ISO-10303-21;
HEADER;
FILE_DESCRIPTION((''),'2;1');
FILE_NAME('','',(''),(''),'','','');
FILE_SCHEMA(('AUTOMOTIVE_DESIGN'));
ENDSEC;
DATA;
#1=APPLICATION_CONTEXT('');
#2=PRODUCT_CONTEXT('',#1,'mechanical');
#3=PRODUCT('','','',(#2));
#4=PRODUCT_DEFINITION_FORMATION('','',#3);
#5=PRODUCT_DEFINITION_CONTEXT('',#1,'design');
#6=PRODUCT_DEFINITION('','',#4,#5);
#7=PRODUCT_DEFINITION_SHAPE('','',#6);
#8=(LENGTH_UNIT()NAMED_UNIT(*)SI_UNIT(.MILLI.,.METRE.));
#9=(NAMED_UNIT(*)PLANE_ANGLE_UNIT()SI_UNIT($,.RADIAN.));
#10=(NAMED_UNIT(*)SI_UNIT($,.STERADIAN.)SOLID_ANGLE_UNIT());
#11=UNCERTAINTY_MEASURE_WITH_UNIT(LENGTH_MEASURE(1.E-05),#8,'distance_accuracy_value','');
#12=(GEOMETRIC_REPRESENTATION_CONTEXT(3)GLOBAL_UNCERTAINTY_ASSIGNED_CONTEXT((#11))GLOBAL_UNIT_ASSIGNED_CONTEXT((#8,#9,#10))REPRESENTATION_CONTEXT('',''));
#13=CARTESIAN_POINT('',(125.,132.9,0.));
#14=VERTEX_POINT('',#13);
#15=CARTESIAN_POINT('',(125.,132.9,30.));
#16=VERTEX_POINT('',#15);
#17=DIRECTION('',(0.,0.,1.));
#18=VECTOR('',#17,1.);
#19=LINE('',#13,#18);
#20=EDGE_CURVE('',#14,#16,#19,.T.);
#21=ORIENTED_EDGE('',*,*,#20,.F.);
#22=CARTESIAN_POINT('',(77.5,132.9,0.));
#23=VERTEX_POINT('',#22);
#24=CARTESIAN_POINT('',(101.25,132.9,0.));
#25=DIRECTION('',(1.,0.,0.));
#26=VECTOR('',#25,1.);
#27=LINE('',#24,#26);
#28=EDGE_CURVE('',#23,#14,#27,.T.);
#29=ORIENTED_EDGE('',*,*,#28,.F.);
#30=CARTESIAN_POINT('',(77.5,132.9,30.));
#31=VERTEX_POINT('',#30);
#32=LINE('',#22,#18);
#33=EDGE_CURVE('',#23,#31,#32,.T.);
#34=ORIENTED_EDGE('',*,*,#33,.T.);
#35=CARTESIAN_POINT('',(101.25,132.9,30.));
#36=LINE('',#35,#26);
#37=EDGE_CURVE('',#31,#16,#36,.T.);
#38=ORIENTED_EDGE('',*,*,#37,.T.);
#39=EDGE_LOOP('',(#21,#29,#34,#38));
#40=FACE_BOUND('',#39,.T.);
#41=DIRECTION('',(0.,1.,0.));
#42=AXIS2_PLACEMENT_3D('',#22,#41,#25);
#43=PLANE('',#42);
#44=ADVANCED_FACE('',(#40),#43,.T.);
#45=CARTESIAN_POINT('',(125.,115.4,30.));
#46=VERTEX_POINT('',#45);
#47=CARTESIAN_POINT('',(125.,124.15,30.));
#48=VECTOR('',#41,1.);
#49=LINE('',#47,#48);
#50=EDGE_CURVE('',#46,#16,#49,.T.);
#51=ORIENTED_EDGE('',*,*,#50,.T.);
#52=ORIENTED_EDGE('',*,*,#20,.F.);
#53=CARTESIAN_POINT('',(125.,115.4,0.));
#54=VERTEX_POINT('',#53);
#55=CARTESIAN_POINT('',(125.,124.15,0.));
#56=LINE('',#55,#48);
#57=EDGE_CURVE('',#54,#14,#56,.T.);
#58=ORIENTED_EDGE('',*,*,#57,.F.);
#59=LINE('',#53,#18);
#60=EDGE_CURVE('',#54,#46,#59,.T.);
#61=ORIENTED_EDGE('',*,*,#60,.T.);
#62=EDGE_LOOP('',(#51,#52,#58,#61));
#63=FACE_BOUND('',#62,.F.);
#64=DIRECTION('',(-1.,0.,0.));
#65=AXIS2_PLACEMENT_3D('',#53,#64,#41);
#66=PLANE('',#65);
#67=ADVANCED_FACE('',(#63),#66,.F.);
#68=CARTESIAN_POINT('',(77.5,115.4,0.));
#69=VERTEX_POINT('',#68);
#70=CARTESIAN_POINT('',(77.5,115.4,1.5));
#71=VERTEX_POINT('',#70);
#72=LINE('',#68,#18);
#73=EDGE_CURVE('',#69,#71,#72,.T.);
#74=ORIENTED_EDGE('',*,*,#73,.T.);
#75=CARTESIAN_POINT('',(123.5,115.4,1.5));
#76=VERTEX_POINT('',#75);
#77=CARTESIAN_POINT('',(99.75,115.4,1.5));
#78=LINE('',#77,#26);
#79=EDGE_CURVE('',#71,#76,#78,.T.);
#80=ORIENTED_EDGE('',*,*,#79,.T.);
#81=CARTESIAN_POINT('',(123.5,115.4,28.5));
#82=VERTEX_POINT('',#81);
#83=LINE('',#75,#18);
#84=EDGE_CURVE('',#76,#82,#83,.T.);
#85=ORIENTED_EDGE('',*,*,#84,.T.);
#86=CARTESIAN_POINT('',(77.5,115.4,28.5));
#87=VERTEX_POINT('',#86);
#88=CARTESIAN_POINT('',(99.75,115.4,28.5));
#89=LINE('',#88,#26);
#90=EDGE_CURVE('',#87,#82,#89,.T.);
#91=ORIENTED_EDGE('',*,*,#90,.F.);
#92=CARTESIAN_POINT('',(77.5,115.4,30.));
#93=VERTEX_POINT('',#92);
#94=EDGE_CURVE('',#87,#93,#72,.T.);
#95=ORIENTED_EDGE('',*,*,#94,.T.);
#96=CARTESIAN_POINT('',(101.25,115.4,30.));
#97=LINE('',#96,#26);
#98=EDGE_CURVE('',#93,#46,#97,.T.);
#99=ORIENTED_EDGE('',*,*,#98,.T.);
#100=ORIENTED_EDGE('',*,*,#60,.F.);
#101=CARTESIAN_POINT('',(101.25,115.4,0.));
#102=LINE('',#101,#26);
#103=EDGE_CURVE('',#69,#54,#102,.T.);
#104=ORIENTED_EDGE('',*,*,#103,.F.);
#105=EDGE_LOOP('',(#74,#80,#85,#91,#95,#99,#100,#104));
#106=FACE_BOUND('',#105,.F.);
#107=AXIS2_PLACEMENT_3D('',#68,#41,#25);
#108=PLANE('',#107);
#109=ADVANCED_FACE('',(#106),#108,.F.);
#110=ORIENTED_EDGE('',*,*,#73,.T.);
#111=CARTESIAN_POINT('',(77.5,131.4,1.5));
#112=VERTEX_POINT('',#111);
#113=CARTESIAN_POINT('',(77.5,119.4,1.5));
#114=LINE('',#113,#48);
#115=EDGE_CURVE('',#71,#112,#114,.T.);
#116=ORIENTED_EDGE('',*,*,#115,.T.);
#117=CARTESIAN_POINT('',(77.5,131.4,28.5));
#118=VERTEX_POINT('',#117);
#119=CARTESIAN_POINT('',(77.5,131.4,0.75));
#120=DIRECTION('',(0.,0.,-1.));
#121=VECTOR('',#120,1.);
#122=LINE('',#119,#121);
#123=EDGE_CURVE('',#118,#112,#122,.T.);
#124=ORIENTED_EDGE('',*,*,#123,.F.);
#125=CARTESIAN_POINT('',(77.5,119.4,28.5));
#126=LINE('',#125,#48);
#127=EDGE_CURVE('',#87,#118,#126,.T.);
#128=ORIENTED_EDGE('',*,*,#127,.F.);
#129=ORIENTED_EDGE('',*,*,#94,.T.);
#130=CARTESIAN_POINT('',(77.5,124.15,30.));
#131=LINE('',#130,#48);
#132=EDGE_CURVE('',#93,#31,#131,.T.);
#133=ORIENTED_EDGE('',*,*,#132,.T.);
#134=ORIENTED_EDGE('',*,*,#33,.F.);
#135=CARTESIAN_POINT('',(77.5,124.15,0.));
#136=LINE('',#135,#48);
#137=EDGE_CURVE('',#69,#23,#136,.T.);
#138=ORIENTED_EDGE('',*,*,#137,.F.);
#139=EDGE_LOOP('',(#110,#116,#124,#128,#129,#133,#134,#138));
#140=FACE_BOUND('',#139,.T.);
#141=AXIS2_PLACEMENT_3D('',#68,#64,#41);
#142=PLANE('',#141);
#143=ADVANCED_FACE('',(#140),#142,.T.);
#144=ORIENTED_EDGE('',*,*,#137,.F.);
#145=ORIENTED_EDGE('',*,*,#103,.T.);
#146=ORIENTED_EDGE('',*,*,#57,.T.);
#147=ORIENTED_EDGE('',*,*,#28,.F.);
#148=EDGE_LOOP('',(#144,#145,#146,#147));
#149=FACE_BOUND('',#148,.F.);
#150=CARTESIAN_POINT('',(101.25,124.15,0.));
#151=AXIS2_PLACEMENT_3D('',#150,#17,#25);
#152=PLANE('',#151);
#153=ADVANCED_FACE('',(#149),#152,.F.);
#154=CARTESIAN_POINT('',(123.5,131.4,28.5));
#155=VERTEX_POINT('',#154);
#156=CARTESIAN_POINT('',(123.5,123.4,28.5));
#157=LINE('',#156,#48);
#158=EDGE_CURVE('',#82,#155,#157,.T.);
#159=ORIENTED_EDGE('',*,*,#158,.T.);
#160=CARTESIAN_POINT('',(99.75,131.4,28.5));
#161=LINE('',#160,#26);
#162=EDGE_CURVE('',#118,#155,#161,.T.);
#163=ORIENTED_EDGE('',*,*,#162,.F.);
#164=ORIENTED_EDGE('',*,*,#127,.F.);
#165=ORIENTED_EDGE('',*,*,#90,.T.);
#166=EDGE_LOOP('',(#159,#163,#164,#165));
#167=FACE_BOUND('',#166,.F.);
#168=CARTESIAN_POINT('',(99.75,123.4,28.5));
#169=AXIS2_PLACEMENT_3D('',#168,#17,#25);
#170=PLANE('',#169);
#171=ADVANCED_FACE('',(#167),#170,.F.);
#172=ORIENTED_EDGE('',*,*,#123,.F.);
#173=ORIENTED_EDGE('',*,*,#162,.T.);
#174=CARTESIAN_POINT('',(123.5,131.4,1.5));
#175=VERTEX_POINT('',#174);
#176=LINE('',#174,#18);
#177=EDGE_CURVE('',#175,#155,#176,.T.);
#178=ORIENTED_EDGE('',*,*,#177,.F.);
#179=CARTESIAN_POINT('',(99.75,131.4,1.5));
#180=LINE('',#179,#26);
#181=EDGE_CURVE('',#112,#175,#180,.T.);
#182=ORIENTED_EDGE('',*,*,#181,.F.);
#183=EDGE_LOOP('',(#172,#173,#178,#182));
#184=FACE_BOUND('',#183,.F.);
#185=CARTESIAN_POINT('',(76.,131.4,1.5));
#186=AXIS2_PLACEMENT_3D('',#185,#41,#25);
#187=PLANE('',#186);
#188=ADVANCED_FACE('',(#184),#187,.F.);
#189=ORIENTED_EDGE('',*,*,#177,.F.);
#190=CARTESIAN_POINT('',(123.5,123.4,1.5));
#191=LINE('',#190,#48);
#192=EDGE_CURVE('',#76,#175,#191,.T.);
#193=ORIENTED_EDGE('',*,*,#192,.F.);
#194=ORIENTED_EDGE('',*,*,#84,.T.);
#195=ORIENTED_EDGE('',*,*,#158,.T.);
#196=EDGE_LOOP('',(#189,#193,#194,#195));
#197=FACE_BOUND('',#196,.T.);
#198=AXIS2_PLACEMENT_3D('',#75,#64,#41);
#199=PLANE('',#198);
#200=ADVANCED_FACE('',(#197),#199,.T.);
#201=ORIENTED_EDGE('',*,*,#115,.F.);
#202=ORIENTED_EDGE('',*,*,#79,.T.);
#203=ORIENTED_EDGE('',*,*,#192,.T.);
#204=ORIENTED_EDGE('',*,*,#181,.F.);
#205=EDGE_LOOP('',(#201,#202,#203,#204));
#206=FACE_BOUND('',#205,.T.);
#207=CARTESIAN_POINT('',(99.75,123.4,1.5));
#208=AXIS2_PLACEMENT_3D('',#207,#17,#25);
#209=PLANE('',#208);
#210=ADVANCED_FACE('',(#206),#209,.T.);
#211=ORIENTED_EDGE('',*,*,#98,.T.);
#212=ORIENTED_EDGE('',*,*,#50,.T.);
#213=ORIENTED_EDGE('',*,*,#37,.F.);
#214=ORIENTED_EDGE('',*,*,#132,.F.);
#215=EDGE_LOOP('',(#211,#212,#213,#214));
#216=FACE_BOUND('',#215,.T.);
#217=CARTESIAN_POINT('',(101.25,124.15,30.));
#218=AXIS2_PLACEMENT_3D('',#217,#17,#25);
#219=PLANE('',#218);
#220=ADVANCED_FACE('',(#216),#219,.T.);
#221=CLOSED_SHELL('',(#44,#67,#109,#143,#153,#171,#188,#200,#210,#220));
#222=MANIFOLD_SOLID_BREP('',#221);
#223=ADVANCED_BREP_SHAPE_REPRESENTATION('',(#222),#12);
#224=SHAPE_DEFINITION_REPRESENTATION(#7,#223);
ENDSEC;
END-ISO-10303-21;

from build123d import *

# Parameters (mm, degrees)
BOX026_W     = 47.5
BOX026_H     = 16
BOX026_DEPTH = 27
BOX027_W     = 47.5
BOX027_H     = 17.5
BOX027_DEPTH = 30


with BuildPart() as cube026:
    # Box026 → Box026 (new body)
    with BuildSketch(Plane(origin=(-1.5, 0, 60), x_dir=(1, 0, 0), z_dir=(0, 0, 1))):
        with Locations((23.75, 8)):
            Rectangle(BOX026_W, BOX026_H)
    extrude(amount=BOX026_DEPTH)


with BuildPart() as cut035:
    # Box027 → Box027 (new body)
    with BuildSketch(Plane.XY.offset(58.5)):
        with Locations((23.75, 8.75)):
            Rectangle(BOX027_W, BOX027_H)
    extrude(amount=BOX027_DEPTH)

    # Cut035: cut Cube026
    add(cube026.part, mode=Mode.SUBTRACT)


with BuildPart() as cut035_1:
    # Cut035 placement: moved
    add(cut035.part.moved(Location((77.5, 115.4, -58.5))))


solid = cut035_1.part
